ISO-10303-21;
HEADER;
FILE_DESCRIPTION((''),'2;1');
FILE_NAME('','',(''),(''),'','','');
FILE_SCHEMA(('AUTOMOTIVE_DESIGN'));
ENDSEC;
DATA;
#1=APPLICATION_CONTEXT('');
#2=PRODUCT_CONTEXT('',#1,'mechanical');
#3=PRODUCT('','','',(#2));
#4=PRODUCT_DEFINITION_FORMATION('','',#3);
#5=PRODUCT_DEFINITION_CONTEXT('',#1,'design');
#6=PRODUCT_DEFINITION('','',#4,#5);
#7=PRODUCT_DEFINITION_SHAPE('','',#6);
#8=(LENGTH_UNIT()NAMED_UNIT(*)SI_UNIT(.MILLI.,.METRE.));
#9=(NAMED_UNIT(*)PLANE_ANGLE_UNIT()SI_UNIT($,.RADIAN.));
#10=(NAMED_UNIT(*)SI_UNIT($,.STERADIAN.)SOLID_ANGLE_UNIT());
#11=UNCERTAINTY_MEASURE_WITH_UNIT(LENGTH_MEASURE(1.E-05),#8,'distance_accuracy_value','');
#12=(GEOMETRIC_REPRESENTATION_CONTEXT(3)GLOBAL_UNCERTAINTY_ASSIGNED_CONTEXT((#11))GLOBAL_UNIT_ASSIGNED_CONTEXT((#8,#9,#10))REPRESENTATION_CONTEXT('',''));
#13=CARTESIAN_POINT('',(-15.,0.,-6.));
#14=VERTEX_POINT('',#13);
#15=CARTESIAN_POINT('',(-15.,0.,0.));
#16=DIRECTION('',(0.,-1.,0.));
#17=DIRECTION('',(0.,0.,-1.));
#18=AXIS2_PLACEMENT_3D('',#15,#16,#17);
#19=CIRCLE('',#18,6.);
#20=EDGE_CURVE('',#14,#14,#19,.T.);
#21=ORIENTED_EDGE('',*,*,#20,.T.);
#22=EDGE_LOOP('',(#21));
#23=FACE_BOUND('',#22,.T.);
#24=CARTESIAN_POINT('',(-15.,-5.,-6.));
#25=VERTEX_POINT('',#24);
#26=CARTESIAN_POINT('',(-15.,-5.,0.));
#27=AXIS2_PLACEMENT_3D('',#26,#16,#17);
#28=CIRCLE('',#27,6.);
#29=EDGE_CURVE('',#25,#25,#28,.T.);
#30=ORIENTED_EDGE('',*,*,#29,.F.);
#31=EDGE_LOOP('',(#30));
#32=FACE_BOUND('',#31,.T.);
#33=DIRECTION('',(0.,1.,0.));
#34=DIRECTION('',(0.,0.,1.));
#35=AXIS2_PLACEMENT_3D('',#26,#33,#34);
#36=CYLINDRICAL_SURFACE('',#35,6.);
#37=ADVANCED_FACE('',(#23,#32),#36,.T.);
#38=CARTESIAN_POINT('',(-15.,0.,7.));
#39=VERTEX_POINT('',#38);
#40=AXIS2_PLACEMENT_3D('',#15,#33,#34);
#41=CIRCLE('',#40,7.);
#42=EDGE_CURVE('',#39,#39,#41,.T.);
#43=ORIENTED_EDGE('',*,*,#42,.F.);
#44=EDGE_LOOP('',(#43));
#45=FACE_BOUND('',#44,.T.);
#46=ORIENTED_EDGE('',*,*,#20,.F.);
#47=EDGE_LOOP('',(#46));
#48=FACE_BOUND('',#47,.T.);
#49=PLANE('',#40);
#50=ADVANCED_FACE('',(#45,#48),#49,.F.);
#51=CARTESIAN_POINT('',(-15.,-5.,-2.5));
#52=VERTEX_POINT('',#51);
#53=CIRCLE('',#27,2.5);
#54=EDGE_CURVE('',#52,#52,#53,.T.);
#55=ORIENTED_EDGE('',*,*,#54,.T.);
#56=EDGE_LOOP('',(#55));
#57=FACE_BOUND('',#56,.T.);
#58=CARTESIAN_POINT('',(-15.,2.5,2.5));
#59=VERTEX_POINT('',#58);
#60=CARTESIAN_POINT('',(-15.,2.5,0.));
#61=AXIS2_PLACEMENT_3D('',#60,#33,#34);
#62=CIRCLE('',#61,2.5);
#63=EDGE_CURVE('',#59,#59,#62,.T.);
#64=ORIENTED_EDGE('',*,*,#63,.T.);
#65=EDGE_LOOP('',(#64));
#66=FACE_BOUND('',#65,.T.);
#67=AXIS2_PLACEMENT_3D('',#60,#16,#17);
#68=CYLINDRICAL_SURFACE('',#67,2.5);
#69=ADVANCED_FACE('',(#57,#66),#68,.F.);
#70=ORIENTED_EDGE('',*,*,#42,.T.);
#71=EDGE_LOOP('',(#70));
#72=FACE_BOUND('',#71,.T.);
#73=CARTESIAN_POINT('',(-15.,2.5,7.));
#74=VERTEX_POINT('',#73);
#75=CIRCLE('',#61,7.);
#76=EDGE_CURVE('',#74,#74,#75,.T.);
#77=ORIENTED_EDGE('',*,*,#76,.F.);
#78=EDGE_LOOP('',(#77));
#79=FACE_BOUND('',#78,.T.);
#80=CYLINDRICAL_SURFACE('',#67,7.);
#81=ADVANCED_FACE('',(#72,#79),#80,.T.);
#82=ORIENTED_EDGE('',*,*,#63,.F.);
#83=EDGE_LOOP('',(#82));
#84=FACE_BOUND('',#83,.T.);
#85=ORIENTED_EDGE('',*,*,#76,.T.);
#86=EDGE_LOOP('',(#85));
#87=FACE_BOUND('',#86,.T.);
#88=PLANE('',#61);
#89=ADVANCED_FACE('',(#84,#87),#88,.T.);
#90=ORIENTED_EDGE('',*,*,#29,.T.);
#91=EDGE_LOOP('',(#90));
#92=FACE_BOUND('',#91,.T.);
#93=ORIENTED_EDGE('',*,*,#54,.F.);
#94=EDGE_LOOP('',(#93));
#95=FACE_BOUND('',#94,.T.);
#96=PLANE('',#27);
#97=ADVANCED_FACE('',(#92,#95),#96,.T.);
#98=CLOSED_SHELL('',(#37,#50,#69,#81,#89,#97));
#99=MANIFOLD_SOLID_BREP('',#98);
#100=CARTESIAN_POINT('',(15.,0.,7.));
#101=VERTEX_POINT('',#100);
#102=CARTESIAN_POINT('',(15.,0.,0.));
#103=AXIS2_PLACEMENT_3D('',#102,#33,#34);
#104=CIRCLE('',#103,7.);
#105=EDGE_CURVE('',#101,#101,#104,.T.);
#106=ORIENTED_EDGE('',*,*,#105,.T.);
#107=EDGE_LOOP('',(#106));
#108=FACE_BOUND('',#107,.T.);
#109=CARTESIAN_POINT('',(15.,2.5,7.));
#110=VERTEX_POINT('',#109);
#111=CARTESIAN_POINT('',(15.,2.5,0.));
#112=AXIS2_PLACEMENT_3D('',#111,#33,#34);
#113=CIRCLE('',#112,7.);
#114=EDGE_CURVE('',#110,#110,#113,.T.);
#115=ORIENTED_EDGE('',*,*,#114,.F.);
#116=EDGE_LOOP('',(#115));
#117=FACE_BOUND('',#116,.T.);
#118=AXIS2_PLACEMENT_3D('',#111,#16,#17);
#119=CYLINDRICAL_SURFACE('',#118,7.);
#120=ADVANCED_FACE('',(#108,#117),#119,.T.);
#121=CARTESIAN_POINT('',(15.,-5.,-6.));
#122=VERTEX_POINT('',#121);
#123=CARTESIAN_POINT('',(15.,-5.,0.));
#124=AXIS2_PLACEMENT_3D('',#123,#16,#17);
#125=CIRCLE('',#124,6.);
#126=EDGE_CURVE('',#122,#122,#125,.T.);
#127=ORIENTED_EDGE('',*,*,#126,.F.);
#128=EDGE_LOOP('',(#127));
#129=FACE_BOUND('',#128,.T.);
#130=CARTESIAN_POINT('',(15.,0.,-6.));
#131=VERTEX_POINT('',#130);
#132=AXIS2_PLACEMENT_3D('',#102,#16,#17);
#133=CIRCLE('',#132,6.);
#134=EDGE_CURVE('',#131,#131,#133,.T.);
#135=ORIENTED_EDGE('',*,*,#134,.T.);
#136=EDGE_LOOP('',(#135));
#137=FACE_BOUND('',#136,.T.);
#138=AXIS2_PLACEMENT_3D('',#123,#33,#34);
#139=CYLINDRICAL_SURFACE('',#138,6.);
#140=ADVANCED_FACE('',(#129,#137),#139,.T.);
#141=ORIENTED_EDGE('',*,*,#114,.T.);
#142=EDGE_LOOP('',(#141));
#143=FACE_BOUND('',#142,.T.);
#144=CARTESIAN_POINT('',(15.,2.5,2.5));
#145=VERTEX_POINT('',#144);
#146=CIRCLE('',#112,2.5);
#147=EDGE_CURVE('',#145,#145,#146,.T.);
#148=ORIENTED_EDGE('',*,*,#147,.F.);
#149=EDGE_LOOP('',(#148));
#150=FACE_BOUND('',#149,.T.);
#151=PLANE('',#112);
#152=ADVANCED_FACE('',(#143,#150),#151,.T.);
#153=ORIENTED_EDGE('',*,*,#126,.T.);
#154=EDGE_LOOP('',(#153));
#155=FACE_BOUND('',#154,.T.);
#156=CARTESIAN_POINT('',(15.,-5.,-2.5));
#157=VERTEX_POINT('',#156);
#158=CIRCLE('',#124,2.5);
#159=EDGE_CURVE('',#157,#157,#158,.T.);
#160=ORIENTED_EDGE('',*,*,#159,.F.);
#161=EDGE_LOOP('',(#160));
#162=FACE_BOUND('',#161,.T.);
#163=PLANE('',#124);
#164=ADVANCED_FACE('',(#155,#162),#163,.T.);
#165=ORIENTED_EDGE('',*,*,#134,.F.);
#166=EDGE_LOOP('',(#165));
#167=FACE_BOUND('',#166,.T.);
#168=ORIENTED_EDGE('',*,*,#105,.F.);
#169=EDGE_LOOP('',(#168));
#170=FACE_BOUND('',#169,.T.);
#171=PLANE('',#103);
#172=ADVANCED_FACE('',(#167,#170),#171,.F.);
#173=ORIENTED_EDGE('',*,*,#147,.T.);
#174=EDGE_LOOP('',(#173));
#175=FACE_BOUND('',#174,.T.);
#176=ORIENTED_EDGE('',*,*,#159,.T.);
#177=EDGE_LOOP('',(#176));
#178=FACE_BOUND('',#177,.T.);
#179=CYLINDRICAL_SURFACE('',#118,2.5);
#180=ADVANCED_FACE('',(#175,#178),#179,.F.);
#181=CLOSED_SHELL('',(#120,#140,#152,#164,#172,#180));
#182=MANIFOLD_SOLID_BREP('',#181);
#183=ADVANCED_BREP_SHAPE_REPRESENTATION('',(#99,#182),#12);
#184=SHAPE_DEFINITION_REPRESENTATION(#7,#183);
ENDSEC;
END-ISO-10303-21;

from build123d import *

# Parameters (mm, degrees)
SKETCH3_R           = 7
SKETCH3_R_2         = 2.5
BOSS_EXTRUDE2_DEPTH = 2.5
SKETCH4_R           = 7
SKETCH4_R_2         = 2.5
BOSS_EXTRUDE3_DEPTH = 2.5
BOSS_EXTRUDE4_START = 5
SKETCH5_R           = 6
SKETCH5_R_2         = 2.5
BOSS_EXTRUDE4_DEPTH = 5


with BuildPart() as part:
    # Sketch3 → Boss-Extrude2 (new body)
    with BuildSketch(Plane(origin=(0, 0, 0), x_dir=(1, 0, 0), z_dir=(0, 1, 0))):
        with Locations((-15, 0)):
            Circle(SKETCH3_R)
        with Locations((-15, 0)):
            Circle(SKETCH3_R_2, mode=Mode.SUBTRACT)
    extrude(amount=BOSS_EXTRUDE2_DEPTH)



with BuildPart() as body_2:
    # Sketch4 → Boss-Extrude3 (new body)
    with BuildSketch(Plane(origin=(0, 0, 0), x_dir=(1, 0, 0), z_dir=(0, 1, 0))):
        with Locations((15, 0)):
            Circle(SKETCH4_R)
        with Locations((15, 0)):
            Circle(SKETCH4_R_2, mode=Mode.SUBTRACT)
    extrude(amount=BOSS_EXTRUDE3_DEPTH)


with BuildPart() as part_1:
    add(part.part)

    add(body_2.part)  # Boss-Extrude4 merges body 2
    # Sketch5 → Boss-Extrude4 (add)
    # profile 1 of 2: a face of its own
    with BuildSketch(Plane.XZ.offset(BOSS_EXTRUDE4_START)):
        with Locations((15, 0)):
            Circle(SKETCH5_R)
        with Locations((15, 0)):
            Circle(SKETCH5_R_2, mode=Mode.SUBTRACT)
    # profile 2 of 2: a face of its own
    with BuildSketch(Plane.XZ.offset(BOSS_EXTRUDE4_START)):
        with Locations((-15, 0)):
            Circle(SKETCH5_R)
        with Locations((-15, 0)):
            Circle(SKETCH5_R_2, mode=Mode.SUBTRACT)
    extrude(amount=-BOSS_EXTRUDE4_DEPTH)


solid = part_1.part
